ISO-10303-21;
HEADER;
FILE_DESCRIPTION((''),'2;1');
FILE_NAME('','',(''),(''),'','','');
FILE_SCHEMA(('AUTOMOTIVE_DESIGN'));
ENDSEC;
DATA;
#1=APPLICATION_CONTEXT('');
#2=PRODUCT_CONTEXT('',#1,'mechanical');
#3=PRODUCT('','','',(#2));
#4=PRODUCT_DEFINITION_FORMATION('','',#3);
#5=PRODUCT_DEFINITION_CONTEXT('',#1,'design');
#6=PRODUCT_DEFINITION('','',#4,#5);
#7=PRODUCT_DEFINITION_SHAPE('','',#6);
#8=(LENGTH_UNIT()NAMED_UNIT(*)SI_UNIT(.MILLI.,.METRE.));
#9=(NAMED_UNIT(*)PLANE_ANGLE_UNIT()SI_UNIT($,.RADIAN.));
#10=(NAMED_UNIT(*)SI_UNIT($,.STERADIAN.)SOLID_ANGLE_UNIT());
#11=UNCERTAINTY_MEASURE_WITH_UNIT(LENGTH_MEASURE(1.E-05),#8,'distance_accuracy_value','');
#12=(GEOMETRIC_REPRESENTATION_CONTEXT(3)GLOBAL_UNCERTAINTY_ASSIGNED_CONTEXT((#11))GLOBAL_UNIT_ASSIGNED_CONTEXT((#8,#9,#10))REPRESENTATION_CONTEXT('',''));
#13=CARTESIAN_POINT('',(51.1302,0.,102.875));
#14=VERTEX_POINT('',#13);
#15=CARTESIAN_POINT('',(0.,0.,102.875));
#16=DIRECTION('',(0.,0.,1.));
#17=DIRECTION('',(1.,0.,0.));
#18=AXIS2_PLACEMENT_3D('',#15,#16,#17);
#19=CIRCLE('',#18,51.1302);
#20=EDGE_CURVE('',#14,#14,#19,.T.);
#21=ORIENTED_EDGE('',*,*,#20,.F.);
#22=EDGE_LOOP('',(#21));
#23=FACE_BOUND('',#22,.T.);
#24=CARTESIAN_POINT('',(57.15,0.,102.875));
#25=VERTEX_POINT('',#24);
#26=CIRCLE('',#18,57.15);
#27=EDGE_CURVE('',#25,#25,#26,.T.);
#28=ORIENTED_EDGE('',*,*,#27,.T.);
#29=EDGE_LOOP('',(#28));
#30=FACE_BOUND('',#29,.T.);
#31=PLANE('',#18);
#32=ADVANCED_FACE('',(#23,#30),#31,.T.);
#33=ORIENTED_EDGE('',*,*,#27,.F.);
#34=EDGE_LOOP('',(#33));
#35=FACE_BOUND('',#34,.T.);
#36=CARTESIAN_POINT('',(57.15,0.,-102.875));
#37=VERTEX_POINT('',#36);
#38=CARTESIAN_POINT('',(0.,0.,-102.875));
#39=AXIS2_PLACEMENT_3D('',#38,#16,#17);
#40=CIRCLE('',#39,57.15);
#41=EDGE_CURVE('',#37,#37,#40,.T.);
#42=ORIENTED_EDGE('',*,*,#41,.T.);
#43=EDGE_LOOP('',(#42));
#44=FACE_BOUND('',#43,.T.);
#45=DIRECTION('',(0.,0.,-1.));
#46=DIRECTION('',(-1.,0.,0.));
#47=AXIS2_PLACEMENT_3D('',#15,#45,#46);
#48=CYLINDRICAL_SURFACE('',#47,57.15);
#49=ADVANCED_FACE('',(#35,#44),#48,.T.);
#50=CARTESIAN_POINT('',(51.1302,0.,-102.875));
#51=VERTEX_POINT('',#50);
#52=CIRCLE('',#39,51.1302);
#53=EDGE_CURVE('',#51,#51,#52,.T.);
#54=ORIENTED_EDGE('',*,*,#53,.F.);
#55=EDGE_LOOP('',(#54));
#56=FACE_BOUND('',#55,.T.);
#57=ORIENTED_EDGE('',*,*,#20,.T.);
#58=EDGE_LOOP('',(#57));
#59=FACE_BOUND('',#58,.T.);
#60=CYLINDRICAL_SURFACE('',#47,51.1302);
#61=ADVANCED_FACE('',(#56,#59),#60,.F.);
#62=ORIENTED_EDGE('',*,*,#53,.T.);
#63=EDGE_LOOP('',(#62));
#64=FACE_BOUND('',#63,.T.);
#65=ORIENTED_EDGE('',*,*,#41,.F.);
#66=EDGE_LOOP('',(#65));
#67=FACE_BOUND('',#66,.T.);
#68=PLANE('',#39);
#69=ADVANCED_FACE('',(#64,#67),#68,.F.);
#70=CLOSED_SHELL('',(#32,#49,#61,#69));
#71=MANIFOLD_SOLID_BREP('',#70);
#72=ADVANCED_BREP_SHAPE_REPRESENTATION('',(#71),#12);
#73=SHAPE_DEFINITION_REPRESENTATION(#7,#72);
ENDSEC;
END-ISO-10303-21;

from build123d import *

# Parameters (mm, degrees)
SKETCH1_R           = 57.15
SKETCH1_R_2         = 51.1302
EXTRUDE_THIN1_DEPTH = 102.875


with BuildPart() as part:
    # Sketch1 → Extrude-Thin1 (new body, symmetric)
    with BuildSketch(Plane.XY):
        Circle(SKETCH1_R)
        Circle(SKETCH1_R_2, mode=Mode.SUBTRACT)
    extrude(amount=EXTRUDE_THIN1_DEPTH, both=True)


solid = part.part
